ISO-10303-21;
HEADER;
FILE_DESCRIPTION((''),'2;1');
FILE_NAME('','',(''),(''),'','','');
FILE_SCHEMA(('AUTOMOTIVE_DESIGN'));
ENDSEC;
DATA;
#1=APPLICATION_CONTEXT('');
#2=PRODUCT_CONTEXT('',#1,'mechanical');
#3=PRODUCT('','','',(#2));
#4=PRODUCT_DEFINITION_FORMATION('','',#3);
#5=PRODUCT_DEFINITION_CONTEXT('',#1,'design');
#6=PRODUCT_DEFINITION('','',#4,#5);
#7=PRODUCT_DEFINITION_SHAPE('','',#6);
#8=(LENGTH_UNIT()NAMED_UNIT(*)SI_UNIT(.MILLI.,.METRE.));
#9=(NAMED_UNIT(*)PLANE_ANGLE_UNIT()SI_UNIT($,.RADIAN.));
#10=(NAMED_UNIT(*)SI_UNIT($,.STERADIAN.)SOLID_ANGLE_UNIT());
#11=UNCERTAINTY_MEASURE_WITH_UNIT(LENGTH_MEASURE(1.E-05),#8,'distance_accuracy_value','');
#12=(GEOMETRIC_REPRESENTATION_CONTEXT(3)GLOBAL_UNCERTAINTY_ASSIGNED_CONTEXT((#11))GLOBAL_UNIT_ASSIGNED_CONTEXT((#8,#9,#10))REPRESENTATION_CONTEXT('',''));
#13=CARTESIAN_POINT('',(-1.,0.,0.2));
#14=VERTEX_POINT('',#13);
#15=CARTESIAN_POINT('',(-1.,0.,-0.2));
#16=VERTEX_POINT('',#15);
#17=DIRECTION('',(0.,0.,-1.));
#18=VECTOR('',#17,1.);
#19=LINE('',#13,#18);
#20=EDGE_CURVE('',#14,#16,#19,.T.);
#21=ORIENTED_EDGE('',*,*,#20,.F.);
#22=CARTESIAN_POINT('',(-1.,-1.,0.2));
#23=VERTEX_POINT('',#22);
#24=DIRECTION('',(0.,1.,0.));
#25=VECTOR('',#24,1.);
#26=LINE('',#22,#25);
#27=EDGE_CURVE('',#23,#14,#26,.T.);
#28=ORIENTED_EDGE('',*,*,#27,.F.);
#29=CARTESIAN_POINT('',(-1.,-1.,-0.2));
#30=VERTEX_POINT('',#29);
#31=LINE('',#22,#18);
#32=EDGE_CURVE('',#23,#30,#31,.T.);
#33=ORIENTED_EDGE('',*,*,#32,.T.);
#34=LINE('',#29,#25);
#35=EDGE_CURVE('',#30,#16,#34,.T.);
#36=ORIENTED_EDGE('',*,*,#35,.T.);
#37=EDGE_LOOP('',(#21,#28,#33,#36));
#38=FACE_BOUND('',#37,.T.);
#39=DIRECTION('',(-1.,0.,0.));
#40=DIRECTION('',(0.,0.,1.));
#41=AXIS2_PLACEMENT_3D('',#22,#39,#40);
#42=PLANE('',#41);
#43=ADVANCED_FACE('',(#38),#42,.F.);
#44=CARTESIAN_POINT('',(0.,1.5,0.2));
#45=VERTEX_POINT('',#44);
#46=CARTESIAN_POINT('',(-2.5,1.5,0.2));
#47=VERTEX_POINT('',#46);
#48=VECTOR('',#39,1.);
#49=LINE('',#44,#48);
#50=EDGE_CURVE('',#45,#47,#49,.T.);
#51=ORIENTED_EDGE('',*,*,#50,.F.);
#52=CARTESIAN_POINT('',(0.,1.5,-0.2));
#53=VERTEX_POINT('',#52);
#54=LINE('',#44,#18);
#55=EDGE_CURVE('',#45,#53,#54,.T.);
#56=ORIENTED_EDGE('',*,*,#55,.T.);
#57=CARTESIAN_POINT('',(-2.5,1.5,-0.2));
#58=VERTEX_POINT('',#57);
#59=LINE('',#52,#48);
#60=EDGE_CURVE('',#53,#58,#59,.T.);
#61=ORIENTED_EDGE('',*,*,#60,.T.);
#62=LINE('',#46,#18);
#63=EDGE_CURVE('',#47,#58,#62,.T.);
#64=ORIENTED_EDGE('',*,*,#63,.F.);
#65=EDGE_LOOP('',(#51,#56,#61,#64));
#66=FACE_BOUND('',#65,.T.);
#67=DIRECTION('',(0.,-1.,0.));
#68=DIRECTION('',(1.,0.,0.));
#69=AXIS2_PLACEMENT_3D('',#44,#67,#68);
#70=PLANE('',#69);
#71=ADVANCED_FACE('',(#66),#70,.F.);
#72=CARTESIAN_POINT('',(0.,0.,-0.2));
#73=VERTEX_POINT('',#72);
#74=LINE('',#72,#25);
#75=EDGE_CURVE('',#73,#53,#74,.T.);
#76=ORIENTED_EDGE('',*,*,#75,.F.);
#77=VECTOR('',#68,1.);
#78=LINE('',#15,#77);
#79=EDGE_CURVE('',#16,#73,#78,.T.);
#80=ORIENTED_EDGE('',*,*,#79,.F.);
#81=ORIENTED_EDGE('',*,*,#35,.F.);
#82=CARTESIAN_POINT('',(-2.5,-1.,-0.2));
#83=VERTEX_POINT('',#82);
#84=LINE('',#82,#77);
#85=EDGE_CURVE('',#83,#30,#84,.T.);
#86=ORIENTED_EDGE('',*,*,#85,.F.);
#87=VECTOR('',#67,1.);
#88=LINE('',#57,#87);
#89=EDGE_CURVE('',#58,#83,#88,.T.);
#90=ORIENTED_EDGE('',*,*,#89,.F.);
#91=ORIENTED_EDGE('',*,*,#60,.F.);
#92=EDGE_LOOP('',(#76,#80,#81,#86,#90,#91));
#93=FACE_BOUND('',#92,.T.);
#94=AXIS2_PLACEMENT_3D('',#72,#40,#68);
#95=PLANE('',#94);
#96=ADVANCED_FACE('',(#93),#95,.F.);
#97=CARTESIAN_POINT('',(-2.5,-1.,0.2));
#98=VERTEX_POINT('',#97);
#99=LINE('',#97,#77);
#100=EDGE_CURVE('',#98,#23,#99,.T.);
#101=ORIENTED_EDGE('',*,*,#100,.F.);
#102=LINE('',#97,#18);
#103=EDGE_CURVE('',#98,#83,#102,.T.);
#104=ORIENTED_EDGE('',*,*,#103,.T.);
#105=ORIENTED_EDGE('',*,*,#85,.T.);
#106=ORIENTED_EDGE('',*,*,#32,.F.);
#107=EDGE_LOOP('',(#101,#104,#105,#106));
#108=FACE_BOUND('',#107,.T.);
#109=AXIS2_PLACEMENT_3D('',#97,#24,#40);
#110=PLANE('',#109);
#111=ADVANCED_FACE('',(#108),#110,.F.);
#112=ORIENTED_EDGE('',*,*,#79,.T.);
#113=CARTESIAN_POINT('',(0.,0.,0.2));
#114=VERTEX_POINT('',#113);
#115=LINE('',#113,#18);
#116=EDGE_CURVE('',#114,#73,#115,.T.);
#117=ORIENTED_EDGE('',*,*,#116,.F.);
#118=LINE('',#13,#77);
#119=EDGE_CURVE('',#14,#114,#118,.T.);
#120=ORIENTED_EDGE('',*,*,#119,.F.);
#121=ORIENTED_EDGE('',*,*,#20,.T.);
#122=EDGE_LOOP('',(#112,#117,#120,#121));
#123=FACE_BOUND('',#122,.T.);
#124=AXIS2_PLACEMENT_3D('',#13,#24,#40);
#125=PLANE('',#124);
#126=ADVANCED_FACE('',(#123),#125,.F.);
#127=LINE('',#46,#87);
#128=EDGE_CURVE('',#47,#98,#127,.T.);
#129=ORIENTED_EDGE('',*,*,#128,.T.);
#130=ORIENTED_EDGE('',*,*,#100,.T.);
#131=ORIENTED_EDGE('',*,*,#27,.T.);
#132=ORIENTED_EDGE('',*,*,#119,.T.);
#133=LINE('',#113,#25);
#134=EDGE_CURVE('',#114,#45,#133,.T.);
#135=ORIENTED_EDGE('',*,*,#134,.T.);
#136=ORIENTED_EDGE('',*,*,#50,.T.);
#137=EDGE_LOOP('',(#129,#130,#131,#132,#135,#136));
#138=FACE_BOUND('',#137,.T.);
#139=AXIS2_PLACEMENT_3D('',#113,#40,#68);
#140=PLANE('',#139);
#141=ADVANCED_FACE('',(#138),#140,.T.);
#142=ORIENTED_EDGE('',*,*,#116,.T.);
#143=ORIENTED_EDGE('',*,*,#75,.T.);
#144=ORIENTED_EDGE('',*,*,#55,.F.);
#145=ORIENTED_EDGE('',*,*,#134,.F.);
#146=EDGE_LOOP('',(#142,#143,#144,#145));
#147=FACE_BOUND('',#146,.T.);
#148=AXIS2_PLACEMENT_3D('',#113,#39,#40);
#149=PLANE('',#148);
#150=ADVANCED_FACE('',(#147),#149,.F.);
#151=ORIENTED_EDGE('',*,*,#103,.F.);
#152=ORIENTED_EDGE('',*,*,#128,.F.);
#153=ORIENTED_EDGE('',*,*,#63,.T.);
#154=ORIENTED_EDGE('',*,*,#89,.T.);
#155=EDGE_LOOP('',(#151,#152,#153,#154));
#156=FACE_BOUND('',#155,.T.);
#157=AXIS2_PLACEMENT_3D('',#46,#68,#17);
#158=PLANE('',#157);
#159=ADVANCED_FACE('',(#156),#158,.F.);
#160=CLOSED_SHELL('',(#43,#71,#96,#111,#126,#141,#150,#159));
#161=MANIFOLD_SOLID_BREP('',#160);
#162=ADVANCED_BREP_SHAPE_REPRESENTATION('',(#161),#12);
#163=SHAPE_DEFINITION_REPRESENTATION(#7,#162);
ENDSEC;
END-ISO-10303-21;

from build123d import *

# Parameters (mm, degrees)
BOSS_EXTRUDE1_DEPTH = 0.2


with BuildPart() as part:
    # Sketch1 → Boss-Extrude1 (new, symmetric)
    with BuildSketch(Plane.XY):
        Polygon((0, 0), (0, 1.5), (-2.5, 1.5), (-2.5, -1), (-1, -1), (-1, 0), align=None)
    extrude(amount=BOSS_EXTRUDE1_DEPTH, both=True)


solid = part.part
